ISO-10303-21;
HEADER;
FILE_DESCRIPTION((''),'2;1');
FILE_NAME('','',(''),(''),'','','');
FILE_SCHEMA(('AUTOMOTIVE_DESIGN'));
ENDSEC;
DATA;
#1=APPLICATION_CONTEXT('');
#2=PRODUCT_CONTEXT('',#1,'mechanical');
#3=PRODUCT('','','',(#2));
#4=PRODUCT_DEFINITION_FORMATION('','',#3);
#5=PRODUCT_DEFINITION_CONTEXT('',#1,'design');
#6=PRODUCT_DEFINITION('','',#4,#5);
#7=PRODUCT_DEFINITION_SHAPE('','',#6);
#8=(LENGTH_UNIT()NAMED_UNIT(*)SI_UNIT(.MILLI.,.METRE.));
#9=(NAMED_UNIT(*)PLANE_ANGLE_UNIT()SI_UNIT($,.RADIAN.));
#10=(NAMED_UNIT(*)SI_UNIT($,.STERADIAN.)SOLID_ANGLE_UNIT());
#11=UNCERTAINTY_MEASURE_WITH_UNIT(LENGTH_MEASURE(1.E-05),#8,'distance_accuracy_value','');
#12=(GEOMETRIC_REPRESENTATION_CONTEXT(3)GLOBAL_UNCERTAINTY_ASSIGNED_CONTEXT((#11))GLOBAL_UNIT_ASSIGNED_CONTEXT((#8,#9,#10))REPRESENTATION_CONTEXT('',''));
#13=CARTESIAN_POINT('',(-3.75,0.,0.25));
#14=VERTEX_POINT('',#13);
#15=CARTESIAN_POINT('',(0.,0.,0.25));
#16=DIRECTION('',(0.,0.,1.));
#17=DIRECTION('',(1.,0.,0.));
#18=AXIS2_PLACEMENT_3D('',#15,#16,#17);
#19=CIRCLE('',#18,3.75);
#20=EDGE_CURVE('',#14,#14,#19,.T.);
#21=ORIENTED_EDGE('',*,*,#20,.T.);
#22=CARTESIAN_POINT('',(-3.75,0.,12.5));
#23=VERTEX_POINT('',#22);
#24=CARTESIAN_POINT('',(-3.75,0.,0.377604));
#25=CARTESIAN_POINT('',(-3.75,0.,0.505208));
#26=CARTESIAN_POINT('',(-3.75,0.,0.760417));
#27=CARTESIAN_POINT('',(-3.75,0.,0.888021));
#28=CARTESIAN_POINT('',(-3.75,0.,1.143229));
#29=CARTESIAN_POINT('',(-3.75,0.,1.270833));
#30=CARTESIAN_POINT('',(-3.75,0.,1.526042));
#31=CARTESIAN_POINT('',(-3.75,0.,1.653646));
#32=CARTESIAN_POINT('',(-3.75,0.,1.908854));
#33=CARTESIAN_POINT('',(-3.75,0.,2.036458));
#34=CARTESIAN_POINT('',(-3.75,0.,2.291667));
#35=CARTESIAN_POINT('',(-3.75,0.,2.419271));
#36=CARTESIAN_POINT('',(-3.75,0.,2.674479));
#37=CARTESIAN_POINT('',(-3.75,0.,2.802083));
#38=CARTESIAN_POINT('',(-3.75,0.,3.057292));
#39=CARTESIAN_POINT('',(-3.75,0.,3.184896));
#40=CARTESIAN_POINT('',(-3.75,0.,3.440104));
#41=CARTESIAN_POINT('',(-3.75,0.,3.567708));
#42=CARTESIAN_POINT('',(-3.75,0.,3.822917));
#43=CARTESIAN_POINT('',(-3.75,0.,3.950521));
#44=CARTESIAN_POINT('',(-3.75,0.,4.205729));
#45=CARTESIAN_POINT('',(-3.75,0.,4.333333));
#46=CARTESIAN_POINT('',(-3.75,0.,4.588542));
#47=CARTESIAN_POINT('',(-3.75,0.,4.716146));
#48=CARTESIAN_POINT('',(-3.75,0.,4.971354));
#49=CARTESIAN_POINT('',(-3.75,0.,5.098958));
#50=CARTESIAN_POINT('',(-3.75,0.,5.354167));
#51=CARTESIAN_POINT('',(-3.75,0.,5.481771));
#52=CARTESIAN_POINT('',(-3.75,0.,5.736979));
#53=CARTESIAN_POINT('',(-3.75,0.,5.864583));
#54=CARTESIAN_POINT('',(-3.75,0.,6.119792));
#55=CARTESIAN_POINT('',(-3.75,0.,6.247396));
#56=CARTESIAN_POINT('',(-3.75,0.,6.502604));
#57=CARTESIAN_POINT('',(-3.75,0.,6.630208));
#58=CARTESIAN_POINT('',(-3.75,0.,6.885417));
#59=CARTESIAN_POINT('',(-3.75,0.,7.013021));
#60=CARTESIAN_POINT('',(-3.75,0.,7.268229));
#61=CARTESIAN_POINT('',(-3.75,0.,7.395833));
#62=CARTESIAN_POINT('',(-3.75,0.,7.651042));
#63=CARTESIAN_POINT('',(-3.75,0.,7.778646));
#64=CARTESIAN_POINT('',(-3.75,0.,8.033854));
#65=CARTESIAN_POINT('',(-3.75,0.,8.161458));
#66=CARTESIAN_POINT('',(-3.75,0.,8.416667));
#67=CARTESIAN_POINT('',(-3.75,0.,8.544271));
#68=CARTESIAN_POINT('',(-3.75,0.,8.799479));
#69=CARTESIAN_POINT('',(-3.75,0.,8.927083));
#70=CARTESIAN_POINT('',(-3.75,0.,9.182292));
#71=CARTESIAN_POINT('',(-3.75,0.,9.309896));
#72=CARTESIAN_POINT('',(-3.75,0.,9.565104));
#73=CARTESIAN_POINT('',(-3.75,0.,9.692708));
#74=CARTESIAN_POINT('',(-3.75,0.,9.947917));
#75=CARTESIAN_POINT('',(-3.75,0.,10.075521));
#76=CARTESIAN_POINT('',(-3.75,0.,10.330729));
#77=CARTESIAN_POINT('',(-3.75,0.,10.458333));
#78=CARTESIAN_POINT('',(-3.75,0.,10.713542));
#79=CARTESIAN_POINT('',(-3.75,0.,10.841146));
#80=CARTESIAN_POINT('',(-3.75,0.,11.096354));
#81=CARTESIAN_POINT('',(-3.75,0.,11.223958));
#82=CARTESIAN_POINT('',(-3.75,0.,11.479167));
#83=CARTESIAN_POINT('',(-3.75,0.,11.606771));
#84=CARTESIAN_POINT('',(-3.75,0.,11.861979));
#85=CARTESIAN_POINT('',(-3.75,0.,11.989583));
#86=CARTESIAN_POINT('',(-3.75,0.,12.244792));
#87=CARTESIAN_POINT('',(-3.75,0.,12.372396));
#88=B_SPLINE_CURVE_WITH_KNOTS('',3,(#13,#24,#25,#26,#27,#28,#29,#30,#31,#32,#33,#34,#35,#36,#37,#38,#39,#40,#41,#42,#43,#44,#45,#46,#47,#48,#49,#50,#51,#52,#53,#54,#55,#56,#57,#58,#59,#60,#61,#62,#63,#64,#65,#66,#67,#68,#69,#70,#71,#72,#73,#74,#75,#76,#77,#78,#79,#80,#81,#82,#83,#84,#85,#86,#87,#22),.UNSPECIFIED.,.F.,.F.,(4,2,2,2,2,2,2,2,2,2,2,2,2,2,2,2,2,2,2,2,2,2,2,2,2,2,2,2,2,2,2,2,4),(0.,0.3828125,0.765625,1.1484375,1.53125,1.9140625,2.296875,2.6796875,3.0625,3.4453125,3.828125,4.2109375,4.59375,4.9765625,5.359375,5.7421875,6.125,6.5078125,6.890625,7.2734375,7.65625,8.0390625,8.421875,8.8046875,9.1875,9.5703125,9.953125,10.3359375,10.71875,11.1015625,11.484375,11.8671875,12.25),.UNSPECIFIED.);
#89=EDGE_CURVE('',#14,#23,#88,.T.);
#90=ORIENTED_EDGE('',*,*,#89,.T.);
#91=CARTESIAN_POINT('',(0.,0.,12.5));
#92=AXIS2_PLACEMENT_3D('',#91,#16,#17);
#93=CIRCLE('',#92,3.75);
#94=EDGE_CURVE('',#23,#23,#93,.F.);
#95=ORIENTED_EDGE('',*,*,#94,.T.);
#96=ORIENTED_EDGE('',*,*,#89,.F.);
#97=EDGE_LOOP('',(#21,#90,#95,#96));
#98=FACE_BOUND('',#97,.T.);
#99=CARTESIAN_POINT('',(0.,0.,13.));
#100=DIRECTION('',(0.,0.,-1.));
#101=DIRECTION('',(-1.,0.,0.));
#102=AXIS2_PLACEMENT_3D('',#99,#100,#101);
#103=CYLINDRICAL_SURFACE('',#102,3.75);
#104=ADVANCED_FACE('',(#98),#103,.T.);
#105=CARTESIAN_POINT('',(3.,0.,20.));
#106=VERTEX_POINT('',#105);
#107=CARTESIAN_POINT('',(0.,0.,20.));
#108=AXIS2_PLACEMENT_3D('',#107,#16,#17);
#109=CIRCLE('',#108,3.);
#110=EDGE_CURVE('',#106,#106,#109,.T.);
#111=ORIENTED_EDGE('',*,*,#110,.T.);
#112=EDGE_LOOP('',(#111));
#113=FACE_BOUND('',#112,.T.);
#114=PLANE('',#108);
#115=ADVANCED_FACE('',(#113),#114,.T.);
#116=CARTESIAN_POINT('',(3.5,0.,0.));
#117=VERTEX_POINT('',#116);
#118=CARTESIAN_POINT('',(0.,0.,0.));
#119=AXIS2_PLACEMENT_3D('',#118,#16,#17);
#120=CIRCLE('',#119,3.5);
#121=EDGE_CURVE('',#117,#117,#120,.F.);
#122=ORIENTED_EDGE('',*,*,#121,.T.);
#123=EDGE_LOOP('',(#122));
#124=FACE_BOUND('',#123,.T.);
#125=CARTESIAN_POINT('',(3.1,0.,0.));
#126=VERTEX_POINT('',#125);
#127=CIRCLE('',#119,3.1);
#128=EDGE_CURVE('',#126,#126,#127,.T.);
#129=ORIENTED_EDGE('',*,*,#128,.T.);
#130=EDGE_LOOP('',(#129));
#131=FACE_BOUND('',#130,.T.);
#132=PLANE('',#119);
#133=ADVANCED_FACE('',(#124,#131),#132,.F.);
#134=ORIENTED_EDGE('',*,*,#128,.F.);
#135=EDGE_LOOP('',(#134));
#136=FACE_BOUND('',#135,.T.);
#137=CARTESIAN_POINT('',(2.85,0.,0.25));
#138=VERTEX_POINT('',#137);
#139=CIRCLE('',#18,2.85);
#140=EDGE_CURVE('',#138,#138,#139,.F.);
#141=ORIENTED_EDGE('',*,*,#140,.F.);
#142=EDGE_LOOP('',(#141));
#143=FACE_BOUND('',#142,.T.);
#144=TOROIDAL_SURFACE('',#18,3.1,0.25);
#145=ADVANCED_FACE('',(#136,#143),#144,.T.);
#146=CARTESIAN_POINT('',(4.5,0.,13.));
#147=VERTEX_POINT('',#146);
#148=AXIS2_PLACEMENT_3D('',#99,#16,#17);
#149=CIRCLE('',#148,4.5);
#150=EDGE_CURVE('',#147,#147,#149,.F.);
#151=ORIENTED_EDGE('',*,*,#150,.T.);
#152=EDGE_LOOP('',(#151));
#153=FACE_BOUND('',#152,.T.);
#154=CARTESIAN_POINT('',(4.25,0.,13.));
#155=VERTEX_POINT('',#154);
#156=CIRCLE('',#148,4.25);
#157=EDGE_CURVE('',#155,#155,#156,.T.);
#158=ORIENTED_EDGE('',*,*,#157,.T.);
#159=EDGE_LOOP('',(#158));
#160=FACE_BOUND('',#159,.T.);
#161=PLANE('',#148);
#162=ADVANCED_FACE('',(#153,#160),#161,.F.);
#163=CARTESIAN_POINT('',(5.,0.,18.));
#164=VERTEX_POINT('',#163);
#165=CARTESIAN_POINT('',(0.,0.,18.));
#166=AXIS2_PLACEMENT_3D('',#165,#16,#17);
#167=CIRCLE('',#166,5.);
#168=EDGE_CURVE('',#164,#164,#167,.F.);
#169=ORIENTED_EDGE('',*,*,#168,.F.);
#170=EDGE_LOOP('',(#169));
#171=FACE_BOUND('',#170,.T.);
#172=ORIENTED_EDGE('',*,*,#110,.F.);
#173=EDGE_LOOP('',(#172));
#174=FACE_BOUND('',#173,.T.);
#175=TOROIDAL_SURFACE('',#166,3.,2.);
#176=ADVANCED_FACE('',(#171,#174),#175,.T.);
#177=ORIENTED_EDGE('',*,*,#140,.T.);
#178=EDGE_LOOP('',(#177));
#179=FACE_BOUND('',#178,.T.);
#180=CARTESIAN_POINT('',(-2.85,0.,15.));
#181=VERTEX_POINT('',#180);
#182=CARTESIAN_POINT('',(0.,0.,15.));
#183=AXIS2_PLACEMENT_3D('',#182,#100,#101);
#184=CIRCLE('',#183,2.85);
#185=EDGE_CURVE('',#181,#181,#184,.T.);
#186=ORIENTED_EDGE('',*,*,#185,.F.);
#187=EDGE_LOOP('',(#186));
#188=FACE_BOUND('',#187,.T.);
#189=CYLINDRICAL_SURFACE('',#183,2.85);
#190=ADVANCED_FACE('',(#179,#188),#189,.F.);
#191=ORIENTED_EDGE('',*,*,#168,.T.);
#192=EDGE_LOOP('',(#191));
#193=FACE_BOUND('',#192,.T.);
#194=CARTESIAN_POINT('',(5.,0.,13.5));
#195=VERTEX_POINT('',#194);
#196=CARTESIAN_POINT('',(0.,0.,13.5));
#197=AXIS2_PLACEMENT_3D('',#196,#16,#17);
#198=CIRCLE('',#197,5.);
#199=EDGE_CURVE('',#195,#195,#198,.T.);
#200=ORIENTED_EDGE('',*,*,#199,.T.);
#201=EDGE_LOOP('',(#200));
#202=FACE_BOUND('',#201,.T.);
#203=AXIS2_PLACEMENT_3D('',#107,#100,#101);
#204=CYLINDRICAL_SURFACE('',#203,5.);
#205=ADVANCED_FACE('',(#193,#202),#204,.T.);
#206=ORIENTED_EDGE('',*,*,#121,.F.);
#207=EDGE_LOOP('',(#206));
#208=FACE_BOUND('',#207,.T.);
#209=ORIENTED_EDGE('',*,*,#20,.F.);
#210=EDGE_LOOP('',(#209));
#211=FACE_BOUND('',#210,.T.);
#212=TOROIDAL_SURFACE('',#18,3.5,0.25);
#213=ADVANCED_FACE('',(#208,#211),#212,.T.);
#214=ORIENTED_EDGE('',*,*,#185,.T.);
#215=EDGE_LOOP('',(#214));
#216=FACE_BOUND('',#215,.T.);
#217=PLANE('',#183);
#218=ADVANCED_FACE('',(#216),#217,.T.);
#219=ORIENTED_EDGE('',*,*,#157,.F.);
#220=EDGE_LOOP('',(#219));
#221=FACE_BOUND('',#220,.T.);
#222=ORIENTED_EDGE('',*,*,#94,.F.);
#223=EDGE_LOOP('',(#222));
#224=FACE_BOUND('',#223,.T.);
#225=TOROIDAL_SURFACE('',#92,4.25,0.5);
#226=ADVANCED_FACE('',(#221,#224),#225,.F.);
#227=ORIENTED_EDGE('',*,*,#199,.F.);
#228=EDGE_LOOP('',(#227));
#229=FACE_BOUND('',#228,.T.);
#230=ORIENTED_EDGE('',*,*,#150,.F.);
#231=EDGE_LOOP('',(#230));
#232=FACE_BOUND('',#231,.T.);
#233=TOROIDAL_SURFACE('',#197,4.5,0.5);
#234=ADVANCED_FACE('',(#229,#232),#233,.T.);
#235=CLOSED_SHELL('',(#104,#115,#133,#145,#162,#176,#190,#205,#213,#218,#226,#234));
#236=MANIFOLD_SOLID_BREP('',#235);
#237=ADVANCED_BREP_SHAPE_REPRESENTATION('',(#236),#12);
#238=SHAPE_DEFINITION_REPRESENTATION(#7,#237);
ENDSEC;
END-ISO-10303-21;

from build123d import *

# Parameters (mm, degrees)
SKETCH1_R           = 3.75
BOSS_EXTRUDE1_DEPTH = 13
SKETCH2_R           = 5
BOSS_EXTRUDE2_DEPTH = 7
SKETCH3_R           = 2.85
CUT_EXTRUDE1_DEPTH  = 15
FILLET1_R           = 0.5
FILLET2_R           = 0.25
FILLET3_R           = 2


with BuildPart() as part:
    # Sketch1 → Boss-Extrude1 (new body)
    with BuildSketch(Plane.XY):
        with Locations(Location((0, 0, 0), (0, 0, 180))):
            Circle(SKETCH1_R)
    extrude(amount=BOSS_EXTRUDE1_DEPTH)

    # Sketch2 → Boss-Extrude2 (add)
    with BuildSketch(Plane.XY.offset(13)):
        Circle(SKETCH2_R)
    extrude(amount=BOSS_EXTRUDE2_DEPTH)

    # Sketch3 → Cut-Extrude1 (cut)
    with BuildSketch(Plane(origin=(0, 0, 0), x_dir=(-1, 0, 0), z_dir=(0, 0, -1))):
        Circle(SKETCH3_R)
    extrude(amount=-CUT_EXTRUDE1_DEPTH, mode=Mode.SUBTRACT)

    # Fillet1
    fillet1_edges = [part.edges().sort_by_distance(p)[0] for p in [
        (3.75, 0, 13),
        (-5, 0, 13),
    ]]
    fillet(fillet1_edges, radius=FILLET1_R)

    # Fillet2
    fillet2_edges = [part.edges().sort_by_distance(p)[0] for p in [
        (2.85, 0, 0),
        (3.75, 0, 0),
    ]]
    fillet(fillet2_edges, radius=FILLET2_R)

    # Fillet3
    fillet3_edges = [part.edges().sort_by_distance(p)[0] for p in [
        (-5, 0, 20),
    ]]
    fillet(fillet3_edges, radius=FILLET3_R)


solid = part.part
